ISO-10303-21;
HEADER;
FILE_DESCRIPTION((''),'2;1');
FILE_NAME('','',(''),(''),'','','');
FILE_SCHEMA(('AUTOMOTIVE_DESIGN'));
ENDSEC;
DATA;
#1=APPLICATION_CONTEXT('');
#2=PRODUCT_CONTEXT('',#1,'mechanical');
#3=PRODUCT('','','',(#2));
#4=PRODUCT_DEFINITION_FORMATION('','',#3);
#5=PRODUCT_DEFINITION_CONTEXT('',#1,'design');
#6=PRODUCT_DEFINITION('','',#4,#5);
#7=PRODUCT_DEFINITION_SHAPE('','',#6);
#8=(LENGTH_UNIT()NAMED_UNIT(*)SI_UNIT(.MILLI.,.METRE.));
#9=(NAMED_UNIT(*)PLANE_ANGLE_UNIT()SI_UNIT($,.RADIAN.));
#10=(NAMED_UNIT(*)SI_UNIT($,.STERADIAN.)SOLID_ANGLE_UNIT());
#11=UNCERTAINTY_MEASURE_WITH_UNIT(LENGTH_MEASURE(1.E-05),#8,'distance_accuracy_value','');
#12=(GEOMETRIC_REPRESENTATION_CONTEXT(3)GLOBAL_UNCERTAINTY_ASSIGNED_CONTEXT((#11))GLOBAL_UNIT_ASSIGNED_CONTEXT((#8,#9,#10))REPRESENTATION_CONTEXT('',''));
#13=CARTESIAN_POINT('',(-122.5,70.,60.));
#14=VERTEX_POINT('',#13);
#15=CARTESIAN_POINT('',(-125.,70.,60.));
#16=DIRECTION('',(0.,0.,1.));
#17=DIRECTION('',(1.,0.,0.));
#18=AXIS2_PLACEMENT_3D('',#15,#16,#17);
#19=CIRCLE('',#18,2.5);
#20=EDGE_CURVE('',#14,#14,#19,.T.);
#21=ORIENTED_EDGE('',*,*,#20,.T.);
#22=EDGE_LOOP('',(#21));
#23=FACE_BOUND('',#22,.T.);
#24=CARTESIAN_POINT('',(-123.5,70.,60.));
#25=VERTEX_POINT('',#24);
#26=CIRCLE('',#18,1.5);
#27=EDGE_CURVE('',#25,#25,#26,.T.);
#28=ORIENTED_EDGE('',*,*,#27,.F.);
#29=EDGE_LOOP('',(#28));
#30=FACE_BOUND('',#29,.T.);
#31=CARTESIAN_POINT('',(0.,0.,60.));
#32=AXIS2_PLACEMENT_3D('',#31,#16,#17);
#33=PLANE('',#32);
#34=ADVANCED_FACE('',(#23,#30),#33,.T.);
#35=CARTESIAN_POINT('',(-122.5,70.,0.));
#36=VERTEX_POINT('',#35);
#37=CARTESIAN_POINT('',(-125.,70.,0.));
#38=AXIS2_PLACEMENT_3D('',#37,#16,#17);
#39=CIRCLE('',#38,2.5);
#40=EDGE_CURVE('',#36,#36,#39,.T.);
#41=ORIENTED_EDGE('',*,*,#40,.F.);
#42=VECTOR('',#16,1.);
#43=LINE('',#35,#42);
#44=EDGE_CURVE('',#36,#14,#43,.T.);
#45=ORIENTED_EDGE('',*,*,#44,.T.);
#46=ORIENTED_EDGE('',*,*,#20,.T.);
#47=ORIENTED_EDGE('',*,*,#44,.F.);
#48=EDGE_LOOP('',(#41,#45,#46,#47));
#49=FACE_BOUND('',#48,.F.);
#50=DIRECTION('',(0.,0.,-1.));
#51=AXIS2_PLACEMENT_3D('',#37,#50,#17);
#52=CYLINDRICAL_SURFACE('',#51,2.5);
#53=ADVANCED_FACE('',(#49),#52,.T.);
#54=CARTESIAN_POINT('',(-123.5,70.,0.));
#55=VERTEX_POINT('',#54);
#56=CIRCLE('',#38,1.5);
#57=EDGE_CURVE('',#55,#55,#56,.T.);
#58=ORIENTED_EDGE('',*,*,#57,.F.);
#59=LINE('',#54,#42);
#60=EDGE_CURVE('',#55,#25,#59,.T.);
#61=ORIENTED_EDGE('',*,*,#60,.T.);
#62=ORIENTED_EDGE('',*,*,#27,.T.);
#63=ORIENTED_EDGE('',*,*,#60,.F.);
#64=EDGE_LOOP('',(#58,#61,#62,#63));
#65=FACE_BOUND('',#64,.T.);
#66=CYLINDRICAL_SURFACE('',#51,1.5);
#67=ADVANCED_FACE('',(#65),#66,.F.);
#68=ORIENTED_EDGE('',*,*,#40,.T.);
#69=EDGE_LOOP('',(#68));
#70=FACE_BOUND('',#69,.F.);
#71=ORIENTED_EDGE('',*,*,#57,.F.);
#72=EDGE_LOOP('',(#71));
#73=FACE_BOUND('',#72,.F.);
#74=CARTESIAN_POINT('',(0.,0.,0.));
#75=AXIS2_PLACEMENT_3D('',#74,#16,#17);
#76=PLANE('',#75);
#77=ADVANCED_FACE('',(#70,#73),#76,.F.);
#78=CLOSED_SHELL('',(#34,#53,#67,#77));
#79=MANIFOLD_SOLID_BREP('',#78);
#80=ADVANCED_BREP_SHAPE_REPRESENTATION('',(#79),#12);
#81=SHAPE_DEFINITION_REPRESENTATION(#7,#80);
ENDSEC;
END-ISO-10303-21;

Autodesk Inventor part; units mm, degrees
ref_plane "YZ Plane" through (0, 0, 0) normal (1, 0, 0) x (0, 1, 0)
ref_plane "XZ Plane" through (0, 0, 0) normal (0, 1, 0) x (-1, 0, 0)
ref_plane "XY Plane" through (0, 0, 0) normal (0, 0, 1) x (1, 0, 0)
sketch "Boceto1" plane through (0, 0, 0) normal (0, 0, 1) x (1, 0, 0)
  circle A0 centre (-125, 70) radius 2.5 projected
  circle A1 centre (-125, 70) radius 1.5 projected
  point P0 (0, 0)
extrude "Extrusión1" add sketch "Boceto1" along normal blind 60
properties part number "Varilla"
